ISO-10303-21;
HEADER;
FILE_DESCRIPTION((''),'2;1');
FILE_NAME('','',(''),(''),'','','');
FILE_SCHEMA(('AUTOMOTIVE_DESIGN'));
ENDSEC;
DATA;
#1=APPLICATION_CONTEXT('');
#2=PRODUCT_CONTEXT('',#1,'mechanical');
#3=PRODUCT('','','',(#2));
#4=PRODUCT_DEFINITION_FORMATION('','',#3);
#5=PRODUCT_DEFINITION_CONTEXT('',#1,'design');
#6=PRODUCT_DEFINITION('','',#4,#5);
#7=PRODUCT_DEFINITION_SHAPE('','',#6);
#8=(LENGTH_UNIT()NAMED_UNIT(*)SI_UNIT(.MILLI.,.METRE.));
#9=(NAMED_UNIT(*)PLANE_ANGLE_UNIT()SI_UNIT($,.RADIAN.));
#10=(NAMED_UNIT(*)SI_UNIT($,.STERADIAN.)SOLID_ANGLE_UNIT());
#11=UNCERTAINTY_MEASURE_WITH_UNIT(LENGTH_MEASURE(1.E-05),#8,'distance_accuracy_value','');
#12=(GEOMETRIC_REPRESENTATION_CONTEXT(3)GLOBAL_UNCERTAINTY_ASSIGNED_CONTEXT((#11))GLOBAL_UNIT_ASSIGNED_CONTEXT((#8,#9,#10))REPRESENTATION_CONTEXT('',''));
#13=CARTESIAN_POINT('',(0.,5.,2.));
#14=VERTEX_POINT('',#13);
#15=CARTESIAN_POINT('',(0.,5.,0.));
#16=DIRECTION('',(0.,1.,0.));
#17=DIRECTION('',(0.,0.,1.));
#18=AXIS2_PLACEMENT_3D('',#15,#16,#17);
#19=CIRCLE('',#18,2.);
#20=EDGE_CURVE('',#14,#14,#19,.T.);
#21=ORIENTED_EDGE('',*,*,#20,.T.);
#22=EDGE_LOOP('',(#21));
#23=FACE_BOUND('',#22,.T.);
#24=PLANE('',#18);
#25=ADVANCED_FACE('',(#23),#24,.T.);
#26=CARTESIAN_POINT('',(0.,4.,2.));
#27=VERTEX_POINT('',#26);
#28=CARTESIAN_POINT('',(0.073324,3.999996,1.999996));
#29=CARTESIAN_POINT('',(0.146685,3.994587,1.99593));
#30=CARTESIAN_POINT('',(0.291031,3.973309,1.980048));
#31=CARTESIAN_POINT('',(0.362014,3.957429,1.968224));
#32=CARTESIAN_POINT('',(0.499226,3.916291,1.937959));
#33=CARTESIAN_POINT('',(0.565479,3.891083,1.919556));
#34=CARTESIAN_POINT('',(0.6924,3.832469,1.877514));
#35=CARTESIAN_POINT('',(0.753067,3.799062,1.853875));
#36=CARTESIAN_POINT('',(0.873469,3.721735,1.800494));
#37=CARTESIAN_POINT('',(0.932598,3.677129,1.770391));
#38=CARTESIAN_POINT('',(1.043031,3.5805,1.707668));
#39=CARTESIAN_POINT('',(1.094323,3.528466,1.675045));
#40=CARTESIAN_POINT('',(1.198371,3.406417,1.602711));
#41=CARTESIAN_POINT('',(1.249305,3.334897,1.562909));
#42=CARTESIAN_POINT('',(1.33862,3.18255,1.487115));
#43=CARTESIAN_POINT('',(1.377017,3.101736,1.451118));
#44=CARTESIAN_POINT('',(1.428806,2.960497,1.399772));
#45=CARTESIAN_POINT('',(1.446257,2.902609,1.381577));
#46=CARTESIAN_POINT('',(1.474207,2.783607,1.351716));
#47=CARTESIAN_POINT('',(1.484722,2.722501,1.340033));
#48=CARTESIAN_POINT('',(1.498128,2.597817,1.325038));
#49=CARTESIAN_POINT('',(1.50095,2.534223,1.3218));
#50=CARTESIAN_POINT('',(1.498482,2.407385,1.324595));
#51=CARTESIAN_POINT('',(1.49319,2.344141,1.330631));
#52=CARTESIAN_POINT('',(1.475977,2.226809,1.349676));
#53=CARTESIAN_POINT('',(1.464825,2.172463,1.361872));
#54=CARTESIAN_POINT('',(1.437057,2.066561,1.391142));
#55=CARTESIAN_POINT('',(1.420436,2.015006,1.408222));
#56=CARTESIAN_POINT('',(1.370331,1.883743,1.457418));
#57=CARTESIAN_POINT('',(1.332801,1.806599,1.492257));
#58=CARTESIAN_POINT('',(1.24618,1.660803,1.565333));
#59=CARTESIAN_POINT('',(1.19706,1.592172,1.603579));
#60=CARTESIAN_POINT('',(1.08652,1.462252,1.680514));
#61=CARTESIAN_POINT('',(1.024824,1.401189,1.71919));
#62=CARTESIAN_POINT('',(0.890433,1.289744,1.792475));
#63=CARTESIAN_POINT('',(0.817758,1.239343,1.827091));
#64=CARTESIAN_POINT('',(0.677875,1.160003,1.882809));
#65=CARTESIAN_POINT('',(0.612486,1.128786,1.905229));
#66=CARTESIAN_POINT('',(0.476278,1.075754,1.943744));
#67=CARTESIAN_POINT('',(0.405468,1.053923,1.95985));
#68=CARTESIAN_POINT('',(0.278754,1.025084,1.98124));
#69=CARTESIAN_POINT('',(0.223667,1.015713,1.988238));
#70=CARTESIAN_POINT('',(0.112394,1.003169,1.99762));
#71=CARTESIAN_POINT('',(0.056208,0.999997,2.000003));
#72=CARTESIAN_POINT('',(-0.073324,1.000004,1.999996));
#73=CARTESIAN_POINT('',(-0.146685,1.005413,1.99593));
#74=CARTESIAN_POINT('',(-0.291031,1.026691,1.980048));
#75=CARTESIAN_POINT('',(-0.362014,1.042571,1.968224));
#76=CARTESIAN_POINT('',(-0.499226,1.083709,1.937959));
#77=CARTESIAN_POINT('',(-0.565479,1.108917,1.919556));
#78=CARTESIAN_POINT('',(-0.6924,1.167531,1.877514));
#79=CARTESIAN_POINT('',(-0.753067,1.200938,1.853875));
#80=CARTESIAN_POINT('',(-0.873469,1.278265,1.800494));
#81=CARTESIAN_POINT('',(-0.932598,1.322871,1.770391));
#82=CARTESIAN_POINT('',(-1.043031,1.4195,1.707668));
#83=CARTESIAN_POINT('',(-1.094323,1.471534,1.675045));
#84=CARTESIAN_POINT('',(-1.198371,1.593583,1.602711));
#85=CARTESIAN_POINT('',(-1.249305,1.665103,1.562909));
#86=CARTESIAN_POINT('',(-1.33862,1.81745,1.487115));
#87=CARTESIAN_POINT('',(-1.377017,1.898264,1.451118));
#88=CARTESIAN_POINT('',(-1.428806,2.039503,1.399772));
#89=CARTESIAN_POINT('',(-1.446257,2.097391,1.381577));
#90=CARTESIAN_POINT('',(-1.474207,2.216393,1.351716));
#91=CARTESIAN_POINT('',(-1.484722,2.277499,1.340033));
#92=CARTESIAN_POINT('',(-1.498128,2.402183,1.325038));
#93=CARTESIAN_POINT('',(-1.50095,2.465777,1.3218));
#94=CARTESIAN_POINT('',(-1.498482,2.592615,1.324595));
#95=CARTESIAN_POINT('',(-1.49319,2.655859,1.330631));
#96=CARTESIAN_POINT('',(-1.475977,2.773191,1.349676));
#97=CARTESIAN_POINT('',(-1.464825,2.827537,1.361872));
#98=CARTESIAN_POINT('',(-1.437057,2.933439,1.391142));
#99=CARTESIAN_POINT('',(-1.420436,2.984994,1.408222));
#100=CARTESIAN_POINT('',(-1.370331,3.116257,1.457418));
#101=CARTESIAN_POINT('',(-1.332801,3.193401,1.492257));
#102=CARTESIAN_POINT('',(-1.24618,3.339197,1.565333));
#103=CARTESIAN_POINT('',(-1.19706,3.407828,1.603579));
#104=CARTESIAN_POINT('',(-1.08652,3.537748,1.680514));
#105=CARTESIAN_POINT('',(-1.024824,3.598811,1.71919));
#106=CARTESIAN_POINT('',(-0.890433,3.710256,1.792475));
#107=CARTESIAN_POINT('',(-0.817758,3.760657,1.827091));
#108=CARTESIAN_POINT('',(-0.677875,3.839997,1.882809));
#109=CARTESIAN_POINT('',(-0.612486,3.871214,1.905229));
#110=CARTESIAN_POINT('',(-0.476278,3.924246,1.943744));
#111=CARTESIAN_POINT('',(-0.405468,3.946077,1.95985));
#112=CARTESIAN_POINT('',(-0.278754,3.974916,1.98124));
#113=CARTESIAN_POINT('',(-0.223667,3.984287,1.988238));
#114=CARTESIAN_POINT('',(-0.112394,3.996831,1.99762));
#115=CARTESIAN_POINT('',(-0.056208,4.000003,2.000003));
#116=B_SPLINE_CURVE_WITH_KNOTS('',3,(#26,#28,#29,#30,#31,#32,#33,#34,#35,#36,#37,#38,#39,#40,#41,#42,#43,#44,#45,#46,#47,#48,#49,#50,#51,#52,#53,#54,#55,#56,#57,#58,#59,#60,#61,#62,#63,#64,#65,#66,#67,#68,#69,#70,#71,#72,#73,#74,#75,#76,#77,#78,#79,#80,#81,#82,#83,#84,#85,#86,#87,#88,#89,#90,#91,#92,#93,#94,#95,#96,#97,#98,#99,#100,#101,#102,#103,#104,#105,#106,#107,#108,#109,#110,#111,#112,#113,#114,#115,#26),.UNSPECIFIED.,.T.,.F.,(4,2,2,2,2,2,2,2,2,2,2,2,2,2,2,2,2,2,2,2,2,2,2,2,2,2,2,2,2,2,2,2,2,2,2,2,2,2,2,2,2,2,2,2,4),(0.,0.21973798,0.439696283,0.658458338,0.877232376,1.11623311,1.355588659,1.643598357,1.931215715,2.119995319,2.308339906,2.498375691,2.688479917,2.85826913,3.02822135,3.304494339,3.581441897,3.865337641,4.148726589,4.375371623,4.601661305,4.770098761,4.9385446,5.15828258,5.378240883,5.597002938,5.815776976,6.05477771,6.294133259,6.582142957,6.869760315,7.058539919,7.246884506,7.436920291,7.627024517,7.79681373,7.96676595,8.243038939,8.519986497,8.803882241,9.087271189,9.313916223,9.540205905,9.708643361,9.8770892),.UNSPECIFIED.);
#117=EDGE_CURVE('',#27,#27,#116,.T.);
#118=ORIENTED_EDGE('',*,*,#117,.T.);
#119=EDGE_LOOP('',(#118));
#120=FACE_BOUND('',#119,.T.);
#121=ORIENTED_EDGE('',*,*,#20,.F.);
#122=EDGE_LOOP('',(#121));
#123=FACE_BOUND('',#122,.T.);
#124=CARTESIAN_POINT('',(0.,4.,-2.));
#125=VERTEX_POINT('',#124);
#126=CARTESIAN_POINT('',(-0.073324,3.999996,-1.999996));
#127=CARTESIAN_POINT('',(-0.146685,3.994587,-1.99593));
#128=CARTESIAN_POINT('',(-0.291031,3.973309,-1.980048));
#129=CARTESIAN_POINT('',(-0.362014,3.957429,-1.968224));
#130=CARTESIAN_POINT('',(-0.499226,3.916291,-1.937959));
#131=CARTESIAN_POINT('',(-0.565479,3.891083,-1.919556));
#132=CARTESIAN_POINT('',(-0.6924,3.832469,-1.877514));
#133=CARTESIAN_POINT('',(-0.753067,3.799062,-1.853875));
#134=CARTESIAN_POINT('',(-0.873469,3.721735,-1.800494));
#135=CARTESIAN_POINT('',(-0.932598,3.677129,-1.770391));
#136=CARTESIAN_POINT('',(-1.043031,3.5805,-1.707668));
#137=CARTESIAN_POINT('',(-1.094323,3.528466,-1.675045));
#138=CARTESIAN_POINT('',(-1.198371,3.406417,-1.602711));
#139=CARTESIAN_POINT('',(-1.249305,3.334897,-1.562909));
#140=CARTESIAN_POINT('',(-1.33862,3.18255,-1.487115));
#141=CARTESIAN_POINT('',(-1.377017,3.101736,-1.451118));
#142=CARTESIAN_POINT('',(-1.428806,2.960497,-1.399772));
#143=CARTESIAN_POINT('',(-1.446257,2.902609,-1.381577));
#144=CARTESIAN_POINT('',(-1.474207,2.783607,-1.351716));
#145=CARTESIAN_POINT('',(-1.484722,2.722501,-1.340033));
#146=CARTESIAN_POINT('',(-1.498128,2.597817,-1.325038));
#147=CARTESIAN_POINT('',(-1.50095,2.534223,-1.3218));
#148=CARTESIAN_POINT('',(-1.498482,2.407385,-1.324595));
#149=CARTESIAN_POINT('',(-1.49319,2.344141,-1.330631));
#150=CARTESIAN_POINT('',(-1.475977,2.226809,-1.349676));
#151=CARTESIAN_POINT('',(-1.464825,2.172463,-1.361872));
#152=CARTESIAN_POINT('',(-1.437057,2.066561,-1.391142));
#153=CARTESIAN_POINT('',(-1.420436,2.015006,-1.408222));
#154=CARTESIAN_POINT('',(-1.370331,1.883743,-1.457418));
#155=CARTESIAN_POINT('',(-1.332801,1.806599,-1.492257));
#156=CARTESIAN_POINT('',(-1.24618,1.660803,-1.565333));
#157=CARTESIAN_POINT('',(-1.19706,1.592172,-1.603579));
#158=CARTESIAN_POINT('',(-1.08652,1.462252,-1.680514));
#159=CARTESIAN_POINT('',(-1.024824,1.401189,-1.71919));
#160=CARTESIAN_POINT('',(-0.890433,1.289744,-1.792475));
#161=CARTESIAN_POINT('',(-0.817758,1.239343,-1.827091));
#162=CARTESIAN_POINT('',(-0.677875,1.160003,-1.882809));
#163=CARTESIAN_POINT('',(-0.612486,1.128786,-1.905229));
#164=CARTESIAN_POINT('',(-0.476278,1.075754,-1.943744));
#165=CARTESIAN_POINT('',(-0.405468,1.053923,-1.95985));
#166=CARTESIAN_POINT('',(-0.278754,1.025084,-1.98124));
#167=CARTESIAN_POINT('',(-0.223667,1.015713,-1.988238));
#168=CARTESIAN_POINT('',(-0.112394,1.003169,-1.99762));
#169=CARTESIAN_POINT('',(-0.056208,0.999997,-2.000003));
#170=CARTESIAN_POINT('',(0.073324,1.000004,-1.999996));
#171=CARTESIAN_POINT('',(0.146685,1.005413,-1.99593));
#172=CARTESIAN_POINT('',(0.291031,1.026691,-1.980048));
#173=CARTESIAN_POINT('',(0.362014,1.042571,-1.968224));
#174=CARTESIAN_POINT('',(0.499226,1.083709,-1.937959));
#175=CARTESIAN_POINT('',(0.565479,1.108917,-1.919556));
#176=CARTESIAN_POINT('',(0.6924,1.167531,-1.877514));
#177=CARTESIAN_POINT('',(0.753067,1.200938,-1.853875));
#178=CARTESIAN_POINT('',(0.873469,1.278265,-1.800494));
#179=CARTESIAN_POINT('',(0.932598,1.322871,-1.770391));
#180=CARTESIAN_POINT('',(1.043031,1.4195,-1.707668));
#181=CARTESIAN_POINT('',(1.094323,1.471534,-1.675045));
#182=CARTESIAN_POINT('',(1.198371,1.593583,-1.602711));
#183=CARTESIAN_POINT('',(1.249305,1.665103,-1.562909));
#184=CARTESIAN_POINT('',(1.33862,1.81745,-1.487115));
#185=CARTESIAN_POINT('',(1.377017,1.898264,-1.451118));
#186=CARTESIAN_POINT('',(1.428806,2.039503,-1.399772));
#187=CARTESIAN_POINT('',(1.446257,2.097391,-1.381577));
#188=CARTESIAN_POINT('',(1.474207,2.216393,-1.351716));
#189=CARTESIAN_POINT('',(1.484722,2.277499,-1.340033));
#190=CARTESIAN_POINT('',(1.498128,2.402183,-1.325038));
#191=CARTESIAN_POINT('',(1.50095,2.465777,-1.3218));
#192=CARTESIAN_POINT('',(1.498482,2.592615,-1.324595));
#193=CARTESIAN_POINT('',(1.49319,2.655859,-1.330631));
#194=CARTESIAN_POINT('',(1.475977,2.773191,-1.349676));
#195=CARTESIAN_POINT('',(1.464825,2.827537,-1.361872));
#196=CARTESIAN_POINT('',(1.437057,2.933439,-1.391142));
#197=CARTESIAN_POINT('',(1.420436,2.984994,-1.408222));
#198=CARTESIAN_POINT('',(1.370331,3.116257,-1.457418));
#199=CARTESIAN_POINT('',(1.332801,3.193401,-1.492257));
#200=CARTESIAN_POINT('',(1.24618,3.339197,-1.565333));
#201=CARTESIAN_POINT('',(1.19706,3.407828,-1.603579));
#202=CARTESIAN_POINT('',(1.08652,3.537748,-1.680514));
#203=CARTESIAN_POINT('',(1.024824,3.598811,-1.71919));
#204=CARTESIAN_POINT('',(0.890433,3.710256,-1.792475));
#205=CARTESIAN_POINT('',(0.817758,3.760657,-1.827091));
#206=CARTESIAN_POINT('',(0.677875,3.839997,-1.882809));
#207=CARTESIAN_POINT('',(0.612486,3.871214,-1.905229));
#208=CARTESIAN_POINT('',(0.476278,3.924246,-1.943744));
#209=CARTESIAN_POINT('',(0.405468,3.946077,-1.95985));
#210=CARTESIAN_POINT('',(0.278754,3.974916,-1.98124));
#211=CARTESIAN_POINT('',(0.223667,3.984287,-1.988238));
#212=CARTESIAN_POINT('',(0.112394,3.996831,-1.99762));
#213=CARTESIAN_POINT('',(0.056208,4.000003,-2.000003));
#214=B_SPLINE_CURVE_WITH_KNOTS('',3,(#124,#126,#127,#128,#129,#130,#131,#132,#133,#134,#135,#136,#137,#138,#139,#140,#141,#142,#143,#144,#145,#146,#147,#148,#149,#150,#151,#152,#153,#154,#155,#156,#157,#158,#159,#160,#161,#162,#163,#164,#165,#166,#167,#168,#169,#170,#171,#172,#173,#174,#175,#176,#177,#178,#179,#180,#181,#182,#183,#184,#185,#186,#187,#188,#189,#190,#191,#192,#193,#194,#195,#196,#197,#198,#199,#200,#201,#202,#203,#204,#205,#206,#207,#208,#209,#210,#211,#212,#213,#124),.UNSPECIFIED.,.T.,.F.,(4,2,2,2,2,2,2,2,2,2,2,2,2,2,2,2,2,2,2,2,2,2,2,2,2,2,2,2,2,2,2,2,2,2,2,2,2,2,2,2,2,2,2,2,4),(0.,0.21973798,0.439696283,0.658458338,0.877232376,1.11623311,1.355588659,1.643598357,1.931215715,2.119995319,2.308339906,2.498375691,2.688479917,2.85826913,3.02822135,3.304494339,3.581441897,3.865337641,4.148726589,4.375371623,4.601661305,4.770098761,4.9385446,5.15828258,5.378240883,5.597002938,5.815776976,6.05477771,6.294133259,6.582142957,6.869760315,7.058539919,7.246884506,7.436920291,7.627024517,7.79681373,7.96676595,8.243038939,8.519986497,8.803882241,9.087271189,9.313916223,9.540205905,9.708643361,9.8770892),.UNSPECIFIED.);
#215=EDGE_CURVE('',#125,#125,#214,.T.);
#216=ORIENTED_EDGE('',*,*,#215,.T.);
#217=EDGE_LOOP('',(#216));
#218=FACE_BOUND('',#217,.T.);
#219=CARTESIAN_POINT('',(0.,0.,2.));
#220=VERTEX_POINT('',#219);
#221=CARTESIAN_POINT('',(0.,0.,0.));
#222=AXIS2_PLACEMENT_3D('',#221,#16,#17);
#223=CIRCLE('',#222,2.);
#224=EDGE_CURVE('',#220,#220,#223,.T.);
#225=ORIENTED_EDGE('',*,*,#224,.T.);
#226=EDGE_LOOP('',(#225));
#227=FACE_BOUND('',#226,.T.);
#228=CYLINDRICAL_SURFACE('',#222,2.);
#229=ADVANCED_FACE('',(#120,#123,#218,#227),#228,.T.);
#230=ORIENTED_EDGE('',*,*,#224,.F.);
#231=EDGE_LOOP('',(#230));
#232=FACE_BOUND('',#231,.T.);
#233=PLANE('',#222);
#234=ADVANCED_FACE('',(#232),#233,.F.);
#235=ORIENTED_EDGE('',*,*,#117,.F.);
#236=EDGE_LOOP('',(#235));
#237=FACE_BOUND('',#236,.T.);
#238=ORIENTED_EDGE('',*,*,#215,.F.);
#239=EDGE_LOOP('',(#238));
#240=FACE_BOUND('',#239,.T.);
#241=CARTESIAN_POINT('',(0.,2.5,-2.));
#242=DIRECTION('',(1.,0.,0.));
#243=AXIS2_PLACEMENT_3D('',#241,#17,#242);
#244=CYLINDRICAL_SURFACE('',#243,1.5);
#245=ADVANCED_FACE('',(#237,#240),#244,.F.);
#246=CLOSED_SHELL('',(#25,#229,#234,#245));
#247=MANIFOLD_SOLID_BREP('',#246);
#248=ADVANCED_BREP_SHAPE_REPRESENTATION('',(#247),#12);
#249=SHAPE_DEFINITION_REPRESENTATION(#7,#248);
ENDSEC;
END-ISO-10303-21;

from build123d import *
from build123d.topology import SkipClean

# Parameters (mm, degrees)
SKETCH_1_W           = 4
SKETCH_1_H           = 4
EXTRUDE_2_DEPTH      = 5
SKETCH_3_R           = 1.5
CUT_EXTRUDE_2_DEPTH  = 7.708203932
CUT_EXTRUDE_14_DEPTH = 6.744562647


with BuildPart() as part:
    # 草图1 → 凸台-拉伸2 (new body)
    with BuildSketch(Plane(origin=(0, 0, 0), x_dir=(1, 0, 0), z_dir=(0, 1, 0))):
        Rectangle(SKETCH_1_W, SKETCH_1_H)
    extrude(amount=EXTRUDE_2_DEPTH)

    # 草图3 → 切除-拉伸2 (cut, through all)
    with BuildSketch(Plane.XY.offset(2)):
        with Locations((0, 2.5)):
            Circle(SKETCH_3_R)
    extrude(amount=-CUT_EXTRUDE_2_DEPTH, mode=Mode.SUBTRACT)

    # 草图6 → 切除-拉伸14 (cut, through all)
    with SkipClean():  # the faces are left unmerged after this step: merging them gives an invalid solid
        with BuildSketch(Plane(origin=(0, 5, 0), x_dir=(1, 0, 0), z_dir=(0, 1, 0))):
            with BuildLine():
                Line((-2, 2), (-2, 0))
                ThreePointArc((-2, 0), (-1.414213562, 1.414213562), (0, 2))
                Line((0, 2), (-2, 2))
            make_face()
            with BuildLine():
                ThreePointArc((0, 2), (1.414213562, 1.414213562), (2, 0))
                Line((2, 0), (2, 2))
                Line((2, 2), (0, 2))
            make_face()
            with BuildLine():
                Line((0, -2), (2, -2))
                Line((2, -2), (2, 0))
                ThreePointArc((2, 0), (1.414213562, -1.414213562), (0, -2))
            make_face()
            with BuildLine():
                Line((-2, -2), (0, -2))
                ThreePointArc((0, -2), (-1.414213562, -1.414213562), (-2, 0))
                Line((-2, 0), (-2, -2))
            make_face()
        extrude(amount=-CUT_EXTRUDE_14_DEPTH, mode=Mode.SUBTRACT)


solid = part.part
